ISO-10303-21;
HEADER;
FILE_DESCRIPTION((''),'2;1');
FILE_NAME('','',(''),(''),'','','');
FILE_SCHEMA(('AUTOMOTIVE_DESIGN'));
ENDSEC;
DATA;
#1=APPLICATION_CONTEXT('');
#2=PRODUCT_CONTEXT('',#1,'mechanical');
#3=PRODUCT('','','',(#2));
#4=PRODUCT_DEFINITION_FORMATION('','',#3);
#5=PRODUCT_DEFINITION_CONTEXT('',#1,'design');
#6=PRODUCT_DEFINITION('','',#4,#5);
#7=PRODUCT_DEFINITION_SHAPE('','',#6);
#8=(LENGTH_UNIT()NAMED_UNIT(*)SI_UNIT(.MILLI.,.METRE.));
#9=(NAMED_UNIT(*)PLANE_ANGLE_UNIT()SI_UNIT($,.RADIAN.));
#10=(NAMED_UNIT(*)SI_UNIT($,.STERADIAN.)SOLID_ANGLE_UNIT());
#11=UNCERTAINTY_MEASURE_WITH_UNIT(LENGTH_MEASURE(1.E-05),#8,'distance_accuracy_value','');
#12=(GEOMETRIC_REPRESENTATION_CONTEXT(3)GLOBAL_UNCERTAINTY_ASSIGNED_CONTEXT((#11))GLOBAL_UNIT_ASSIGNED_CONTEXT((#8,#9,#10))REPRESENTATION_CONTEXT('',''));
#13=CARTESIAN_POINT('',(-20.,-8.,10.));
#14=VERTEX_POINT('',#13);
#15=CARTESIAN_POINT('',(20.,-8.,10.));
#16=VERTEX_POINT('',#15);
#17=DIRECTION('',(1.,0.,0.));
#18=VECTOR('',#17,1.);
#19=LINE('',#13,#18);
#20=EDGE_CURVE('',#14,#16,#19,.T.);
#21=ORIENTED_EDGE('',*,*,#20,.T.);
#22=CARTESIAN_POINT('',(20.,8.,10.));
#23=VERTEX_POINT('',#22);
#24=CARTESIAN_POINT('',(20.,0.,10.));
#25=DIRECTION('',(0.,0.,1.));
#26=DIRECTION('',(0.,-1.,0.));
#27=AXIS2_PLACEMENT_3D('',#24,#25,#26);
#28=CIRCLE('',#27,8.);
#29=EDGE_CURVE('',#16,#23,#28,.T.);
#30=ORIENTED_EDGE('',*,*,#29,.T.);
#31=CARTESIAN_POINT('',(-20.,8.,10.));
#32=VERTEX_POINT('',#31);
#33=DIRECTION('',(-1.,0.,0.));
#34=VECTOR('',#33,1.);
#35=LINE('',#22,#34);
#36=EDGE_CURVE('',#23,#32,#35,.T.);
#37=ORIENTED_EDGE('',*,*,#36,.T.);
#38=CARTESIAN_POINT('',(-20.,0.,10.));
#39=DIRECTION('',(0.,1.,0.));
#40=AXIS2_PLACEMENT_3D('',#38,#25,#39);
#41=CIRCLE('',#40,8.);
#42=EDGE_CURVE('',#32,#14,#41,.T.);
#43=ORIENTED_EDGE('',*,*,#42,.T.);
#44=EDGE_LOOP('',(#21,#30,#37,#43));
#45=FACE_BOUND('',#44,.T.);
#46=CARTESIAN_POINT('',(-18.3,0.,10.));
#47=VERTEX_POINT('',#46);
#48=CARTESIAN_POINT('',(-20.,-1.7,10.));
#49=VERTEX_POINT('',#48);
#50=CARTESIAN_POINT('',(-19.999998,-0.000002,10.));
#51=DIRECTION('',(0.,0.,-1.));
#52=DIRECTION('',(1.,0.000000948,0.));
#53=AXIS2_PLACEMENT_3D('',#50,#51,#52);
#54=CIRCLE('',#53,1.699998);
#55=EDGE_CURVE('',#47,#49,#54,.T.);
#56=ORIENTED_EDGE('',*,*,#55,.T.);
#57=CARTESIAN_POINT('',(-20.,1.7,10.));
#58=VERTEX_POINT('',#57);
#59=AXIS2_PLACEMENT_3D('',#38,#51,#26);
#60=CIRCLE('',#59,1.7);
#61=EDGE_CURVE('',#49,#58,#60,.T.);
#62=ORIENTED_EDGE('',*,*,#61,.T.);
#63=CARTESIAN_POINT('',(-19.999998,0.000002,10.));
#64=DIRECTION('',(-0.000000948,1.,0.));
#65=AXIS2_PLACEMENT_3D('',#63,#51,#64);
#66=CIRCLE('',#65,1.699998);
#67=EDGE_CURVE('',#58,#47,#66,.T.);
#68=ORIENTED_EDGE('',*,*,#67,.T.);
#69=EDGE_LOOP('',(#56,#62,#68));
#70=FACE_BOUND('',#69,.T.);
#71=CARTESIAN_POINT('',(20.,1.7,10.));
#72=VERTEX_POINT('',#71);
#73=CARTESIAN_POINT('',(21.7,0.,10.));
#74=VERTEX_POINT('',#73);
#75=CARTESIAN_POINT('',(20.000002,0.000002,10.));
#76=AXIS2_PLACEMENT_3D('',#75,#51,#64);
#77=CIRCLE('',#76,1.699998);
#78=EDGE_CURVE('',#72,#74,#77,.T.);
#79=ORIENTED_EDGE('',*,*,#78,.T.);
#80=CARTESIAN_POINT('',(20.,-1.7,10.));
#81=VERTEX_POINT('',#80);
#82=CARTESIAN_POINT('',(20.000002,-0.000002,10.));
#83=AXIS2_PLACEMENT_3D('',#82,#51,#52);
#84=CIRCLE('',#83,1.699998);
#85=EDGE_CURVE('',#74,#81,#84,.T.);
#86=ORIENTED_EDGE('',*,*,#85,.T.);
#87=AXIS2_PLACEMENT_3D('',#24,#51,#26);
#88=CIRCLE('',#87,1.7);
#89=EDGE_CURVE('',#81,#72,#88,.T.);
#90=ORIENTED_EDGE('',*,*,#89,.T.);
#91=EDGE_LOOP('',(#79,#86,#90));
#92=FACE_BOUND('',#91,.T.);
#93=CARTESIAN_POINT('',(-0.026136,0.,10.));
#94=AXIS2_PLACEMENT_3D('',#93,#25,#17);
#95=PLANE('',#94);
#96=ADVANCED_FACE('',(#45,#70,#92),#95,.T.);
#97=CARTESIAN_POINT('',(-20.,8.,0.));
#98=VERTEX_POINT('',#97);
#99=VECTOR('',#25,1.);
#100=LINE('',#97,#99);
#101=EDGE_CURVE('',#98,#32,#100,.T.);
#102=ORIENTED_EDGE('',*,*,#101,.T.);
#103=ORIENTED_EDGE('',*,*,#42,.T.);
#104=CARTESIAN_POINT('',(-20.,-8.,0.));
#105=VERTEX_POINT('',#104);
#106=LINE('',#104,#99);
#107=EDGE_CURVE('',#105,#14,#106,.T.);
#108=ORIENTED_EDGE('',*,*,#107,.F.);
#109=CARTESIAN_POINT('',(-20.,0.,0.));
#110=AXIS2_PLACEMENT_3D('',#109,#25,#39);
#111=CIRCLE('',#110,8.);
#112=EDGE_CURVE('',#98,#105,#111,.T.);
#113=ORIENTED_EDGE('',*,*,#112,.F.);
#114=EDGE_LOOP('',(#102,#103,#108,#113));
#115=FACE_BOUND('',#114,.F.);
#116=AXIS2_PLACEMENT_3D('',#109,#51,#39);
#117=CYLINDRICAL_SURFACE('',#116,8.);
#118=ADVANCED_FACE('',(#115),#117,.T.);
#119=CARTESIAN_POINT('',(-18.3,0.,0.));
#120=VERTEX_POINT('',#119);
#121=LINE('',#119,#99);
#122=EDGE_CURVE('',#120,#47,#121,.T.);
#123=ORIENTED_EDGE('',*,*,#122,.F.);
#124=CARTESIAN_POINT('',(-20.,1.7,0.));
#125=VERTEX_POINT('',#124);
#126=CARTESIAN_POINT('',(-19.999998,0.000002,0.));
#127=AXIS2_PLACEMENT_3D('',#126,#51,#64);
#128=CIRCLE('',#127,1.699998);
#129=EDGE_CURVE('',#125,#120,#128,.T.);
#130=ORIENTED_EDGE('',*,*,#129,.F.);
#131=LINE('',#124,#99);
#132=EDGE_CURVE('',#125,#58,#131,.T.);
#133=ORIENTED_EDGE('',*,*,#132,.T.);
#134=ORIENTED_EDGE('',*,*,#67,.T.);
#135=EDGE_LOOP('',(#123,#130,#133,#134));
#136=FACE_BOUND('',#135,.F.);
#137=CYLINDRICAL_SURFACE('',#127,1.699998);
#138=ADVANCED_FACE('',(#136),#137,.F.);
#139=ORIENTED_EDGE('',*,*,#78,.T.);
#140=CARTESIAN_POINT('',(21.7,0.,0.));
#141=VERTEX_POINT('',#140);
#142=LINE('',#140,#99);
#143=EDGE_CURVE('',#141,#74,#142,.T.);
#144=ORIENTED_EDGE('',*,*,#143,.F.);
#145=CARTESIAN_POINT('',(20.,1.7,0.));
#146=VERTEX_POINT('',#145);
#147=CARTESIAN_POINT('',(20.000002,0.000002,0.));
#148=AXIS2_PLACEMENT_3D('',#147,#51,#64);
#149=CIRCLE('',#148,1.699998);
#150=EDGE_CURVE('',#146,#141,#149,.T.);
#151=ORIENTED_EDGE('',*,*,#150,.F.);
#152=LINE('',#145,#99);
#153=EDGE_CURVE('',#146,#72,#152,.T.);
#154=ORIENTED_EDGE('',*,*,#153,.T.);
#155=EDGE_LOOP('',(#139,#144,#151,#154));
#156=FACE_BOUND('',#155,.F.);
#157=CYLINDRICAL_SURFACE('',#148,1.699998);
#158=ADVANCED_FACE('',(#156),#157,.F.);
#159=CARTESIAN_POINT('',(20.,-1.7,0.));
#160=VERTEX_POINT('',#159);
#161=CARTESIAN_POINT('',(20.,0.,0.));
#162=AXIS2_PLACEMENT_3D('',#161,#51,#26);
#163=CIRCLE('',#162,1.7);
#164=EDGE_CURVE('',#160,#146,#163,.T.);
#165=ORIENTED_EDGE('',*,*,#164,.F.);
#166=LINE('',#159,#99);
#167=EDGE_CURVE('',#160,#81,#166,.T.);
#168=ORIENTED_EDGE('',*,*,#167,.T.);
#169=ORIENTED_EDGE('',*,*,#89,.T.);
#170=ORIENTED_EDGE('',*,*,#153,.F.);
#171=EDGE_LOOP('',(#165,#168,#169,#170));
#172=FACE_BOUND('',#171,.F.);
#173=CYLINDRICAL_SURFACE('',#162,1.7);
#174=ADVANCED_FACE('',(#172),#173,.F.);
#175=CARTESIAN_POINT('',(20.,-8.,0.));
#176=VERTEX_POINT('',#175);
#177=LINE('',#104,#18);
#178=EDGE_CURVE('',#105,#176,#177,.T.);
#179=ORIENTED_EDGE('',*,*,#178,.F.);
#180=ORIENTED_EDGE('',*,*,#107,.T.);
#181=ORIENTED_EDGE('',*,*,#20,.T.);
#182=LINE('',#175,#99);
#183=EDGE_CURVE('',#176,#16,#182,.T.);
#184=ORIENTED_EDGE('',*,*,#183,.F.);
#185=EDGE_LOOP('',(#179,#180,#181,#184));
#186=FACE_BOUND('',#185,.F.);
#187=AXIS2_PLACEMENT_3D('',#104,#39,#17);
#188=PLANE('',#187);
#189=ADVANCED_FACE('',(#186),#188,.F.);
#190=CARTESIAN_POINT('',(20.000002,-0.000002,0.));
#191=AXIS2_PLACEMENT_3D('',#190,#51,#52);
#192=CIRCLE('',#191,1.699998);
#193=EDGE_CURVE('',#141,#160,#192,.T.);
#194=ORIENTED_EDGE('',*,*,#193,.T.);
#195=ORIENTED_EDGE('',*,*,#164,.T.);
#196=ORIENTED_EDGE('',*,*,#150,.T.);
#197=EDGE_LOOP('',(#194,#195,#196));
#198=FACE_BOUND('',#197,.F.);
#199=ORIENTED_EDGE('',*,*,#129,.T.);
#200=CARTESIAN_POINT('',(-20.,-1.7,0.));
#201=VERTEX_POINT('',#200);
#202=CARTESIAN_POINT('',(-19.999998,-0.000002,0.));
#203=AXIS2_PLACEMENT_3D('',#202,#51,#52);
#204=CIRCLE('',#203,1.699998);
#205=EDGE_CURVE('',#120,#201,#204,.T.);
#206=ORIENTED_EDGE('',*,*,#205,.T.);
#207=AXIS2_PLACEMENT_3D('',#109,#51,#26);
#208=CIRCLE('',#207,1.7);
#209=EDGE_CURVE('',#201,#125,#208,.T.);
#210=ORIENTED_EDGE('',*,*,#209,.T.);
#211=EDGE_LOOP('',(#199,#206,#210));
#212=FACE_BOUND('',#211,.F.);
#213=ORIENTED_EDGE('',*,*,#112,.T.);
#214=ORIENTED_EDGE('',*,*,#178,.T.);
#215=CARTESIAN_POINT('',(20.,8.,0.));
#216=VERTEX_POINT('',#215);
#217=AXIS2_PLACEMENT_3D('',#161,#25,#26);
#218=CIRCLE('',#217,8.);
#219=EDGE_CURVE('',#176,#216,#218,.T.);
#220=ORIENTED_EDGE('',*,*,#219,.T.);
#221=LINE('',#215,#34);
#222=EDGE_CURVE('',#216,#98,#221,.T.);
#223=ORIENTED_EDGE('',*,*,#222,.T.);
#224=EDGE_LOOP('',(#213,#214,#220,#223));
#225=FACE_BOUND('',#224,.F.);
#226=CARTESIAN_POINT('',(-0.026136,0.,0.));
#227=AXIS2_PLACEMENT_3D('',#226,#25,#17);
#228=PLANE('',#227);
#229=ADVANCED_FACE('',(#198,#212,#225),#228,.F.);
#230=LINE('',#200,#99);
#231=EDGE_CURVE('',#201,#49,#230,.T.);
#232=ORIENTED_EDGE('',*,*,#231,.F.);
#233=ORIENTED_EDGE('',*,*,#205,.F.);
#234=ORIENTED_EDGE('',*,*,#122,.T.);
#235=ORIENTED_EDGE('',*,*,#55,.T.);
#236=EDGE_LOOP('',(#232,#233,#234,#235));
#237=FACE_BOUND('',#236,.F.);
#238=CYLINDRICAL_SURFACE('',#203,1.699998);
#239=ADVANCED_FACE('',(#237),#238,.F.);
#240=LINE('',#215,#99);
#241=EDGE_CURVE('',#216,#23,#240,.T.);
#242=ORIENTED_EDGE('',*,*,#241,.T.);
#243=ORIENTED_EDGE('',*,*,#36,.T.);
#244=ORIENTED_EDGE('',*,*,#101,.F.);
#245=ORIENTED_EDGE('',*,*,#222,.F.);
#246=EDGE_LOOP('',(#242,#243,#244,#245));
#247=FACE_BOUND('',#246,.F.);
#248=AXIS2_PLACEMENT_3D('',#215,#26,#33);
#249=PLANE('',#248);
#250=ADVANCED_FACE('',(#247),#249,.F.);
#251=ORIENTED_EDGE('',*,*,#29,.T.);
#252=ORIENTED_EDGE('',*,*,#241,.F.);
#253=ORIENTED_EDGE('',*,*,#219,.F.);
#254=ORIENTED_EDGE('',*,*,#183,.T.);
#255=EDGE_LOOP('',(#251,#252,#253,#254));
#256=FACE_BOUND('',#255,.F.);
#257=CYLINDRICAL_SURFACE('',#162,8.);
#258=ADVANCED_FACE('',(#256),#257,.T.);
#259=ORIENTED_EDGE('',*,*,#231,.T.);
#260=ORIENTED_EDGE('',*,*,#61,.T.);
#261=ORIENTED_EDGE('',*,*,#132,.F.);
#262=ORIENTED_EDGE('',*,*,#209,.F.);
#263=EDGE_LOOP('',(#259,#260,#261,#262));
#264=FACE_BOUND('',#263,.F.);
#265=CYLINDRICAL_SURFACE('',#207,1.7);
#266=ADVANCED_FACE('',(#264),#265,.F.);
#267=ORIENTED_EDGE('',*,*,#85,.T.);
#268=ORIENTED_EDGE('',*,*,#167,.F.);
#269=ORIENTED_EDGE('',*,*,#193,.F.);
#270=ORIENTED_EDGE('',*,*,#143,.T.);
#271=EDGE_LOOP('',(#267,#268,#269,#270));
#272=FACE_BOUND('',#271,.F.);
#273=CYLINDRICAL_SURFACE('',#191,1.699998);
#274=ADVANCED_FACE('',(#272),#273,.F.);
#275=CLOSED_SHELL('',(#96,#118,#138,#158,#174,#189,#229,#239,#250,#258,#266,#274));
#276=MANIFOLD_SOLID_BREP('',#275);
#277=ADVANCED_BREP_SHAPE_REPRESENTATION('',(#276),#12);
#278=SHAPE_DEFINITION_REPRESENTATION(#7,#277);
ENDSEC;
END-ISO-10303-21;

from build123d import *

# Parameters (mm, degrees)
F1_DEPTH = 10


with BuildPart() as f1:
    # F0 (on Top) → F1 (new body)
    with BuildSketch(Plane.XY):
        with BuildLine():
            Line((20, 8), (-20, 8))
            Line((-20, 8), (-20, 1.7))
            ThreePointArc((-20, 1.7), (-18.797918, 1.202082), (-18.3, 0))
            ThreePointArc((-18.3, 0), (-18.797918, -1.202082), (-20, -1.7))
            Line((-20, -1.7), (-20, -8))
            Line((-20, -8), (20, -8))
            Line((20, -8), (20, -1.7))
            ThreePointArc((20, -1.7), (18.3, 0), (20, 1.7))
            Line((20, 1.7), (20, 8))
        make_face()
        with BuildLine():
            Line((-20, 1.7), (-20, 8))
            ThreePointArc((-20, 8), (-28, 0), (-20, -8))
            Line((-20, -8), (-20, -1.7))
            ThreePointArc((-20, -1.7), (-21.7, 0), (-20, 1.7))
        make_face()
        with BuildLine():
            ThreePointArc((20, -8), (28, 0), (20, 8))
            Line((20, 8), (20, 1.7))
            ThreePointArc((20, 1.7), (21.202082, 1.202082), (21.7, 0))
            ThreePointArc((21.7, 0), (21.202082, -1.202082), (20, -1.7))
            Line((20, -1.7), (20, -8))
        make_face()
    extrude(amount=F1_DEPTH)


solid = f1.part
